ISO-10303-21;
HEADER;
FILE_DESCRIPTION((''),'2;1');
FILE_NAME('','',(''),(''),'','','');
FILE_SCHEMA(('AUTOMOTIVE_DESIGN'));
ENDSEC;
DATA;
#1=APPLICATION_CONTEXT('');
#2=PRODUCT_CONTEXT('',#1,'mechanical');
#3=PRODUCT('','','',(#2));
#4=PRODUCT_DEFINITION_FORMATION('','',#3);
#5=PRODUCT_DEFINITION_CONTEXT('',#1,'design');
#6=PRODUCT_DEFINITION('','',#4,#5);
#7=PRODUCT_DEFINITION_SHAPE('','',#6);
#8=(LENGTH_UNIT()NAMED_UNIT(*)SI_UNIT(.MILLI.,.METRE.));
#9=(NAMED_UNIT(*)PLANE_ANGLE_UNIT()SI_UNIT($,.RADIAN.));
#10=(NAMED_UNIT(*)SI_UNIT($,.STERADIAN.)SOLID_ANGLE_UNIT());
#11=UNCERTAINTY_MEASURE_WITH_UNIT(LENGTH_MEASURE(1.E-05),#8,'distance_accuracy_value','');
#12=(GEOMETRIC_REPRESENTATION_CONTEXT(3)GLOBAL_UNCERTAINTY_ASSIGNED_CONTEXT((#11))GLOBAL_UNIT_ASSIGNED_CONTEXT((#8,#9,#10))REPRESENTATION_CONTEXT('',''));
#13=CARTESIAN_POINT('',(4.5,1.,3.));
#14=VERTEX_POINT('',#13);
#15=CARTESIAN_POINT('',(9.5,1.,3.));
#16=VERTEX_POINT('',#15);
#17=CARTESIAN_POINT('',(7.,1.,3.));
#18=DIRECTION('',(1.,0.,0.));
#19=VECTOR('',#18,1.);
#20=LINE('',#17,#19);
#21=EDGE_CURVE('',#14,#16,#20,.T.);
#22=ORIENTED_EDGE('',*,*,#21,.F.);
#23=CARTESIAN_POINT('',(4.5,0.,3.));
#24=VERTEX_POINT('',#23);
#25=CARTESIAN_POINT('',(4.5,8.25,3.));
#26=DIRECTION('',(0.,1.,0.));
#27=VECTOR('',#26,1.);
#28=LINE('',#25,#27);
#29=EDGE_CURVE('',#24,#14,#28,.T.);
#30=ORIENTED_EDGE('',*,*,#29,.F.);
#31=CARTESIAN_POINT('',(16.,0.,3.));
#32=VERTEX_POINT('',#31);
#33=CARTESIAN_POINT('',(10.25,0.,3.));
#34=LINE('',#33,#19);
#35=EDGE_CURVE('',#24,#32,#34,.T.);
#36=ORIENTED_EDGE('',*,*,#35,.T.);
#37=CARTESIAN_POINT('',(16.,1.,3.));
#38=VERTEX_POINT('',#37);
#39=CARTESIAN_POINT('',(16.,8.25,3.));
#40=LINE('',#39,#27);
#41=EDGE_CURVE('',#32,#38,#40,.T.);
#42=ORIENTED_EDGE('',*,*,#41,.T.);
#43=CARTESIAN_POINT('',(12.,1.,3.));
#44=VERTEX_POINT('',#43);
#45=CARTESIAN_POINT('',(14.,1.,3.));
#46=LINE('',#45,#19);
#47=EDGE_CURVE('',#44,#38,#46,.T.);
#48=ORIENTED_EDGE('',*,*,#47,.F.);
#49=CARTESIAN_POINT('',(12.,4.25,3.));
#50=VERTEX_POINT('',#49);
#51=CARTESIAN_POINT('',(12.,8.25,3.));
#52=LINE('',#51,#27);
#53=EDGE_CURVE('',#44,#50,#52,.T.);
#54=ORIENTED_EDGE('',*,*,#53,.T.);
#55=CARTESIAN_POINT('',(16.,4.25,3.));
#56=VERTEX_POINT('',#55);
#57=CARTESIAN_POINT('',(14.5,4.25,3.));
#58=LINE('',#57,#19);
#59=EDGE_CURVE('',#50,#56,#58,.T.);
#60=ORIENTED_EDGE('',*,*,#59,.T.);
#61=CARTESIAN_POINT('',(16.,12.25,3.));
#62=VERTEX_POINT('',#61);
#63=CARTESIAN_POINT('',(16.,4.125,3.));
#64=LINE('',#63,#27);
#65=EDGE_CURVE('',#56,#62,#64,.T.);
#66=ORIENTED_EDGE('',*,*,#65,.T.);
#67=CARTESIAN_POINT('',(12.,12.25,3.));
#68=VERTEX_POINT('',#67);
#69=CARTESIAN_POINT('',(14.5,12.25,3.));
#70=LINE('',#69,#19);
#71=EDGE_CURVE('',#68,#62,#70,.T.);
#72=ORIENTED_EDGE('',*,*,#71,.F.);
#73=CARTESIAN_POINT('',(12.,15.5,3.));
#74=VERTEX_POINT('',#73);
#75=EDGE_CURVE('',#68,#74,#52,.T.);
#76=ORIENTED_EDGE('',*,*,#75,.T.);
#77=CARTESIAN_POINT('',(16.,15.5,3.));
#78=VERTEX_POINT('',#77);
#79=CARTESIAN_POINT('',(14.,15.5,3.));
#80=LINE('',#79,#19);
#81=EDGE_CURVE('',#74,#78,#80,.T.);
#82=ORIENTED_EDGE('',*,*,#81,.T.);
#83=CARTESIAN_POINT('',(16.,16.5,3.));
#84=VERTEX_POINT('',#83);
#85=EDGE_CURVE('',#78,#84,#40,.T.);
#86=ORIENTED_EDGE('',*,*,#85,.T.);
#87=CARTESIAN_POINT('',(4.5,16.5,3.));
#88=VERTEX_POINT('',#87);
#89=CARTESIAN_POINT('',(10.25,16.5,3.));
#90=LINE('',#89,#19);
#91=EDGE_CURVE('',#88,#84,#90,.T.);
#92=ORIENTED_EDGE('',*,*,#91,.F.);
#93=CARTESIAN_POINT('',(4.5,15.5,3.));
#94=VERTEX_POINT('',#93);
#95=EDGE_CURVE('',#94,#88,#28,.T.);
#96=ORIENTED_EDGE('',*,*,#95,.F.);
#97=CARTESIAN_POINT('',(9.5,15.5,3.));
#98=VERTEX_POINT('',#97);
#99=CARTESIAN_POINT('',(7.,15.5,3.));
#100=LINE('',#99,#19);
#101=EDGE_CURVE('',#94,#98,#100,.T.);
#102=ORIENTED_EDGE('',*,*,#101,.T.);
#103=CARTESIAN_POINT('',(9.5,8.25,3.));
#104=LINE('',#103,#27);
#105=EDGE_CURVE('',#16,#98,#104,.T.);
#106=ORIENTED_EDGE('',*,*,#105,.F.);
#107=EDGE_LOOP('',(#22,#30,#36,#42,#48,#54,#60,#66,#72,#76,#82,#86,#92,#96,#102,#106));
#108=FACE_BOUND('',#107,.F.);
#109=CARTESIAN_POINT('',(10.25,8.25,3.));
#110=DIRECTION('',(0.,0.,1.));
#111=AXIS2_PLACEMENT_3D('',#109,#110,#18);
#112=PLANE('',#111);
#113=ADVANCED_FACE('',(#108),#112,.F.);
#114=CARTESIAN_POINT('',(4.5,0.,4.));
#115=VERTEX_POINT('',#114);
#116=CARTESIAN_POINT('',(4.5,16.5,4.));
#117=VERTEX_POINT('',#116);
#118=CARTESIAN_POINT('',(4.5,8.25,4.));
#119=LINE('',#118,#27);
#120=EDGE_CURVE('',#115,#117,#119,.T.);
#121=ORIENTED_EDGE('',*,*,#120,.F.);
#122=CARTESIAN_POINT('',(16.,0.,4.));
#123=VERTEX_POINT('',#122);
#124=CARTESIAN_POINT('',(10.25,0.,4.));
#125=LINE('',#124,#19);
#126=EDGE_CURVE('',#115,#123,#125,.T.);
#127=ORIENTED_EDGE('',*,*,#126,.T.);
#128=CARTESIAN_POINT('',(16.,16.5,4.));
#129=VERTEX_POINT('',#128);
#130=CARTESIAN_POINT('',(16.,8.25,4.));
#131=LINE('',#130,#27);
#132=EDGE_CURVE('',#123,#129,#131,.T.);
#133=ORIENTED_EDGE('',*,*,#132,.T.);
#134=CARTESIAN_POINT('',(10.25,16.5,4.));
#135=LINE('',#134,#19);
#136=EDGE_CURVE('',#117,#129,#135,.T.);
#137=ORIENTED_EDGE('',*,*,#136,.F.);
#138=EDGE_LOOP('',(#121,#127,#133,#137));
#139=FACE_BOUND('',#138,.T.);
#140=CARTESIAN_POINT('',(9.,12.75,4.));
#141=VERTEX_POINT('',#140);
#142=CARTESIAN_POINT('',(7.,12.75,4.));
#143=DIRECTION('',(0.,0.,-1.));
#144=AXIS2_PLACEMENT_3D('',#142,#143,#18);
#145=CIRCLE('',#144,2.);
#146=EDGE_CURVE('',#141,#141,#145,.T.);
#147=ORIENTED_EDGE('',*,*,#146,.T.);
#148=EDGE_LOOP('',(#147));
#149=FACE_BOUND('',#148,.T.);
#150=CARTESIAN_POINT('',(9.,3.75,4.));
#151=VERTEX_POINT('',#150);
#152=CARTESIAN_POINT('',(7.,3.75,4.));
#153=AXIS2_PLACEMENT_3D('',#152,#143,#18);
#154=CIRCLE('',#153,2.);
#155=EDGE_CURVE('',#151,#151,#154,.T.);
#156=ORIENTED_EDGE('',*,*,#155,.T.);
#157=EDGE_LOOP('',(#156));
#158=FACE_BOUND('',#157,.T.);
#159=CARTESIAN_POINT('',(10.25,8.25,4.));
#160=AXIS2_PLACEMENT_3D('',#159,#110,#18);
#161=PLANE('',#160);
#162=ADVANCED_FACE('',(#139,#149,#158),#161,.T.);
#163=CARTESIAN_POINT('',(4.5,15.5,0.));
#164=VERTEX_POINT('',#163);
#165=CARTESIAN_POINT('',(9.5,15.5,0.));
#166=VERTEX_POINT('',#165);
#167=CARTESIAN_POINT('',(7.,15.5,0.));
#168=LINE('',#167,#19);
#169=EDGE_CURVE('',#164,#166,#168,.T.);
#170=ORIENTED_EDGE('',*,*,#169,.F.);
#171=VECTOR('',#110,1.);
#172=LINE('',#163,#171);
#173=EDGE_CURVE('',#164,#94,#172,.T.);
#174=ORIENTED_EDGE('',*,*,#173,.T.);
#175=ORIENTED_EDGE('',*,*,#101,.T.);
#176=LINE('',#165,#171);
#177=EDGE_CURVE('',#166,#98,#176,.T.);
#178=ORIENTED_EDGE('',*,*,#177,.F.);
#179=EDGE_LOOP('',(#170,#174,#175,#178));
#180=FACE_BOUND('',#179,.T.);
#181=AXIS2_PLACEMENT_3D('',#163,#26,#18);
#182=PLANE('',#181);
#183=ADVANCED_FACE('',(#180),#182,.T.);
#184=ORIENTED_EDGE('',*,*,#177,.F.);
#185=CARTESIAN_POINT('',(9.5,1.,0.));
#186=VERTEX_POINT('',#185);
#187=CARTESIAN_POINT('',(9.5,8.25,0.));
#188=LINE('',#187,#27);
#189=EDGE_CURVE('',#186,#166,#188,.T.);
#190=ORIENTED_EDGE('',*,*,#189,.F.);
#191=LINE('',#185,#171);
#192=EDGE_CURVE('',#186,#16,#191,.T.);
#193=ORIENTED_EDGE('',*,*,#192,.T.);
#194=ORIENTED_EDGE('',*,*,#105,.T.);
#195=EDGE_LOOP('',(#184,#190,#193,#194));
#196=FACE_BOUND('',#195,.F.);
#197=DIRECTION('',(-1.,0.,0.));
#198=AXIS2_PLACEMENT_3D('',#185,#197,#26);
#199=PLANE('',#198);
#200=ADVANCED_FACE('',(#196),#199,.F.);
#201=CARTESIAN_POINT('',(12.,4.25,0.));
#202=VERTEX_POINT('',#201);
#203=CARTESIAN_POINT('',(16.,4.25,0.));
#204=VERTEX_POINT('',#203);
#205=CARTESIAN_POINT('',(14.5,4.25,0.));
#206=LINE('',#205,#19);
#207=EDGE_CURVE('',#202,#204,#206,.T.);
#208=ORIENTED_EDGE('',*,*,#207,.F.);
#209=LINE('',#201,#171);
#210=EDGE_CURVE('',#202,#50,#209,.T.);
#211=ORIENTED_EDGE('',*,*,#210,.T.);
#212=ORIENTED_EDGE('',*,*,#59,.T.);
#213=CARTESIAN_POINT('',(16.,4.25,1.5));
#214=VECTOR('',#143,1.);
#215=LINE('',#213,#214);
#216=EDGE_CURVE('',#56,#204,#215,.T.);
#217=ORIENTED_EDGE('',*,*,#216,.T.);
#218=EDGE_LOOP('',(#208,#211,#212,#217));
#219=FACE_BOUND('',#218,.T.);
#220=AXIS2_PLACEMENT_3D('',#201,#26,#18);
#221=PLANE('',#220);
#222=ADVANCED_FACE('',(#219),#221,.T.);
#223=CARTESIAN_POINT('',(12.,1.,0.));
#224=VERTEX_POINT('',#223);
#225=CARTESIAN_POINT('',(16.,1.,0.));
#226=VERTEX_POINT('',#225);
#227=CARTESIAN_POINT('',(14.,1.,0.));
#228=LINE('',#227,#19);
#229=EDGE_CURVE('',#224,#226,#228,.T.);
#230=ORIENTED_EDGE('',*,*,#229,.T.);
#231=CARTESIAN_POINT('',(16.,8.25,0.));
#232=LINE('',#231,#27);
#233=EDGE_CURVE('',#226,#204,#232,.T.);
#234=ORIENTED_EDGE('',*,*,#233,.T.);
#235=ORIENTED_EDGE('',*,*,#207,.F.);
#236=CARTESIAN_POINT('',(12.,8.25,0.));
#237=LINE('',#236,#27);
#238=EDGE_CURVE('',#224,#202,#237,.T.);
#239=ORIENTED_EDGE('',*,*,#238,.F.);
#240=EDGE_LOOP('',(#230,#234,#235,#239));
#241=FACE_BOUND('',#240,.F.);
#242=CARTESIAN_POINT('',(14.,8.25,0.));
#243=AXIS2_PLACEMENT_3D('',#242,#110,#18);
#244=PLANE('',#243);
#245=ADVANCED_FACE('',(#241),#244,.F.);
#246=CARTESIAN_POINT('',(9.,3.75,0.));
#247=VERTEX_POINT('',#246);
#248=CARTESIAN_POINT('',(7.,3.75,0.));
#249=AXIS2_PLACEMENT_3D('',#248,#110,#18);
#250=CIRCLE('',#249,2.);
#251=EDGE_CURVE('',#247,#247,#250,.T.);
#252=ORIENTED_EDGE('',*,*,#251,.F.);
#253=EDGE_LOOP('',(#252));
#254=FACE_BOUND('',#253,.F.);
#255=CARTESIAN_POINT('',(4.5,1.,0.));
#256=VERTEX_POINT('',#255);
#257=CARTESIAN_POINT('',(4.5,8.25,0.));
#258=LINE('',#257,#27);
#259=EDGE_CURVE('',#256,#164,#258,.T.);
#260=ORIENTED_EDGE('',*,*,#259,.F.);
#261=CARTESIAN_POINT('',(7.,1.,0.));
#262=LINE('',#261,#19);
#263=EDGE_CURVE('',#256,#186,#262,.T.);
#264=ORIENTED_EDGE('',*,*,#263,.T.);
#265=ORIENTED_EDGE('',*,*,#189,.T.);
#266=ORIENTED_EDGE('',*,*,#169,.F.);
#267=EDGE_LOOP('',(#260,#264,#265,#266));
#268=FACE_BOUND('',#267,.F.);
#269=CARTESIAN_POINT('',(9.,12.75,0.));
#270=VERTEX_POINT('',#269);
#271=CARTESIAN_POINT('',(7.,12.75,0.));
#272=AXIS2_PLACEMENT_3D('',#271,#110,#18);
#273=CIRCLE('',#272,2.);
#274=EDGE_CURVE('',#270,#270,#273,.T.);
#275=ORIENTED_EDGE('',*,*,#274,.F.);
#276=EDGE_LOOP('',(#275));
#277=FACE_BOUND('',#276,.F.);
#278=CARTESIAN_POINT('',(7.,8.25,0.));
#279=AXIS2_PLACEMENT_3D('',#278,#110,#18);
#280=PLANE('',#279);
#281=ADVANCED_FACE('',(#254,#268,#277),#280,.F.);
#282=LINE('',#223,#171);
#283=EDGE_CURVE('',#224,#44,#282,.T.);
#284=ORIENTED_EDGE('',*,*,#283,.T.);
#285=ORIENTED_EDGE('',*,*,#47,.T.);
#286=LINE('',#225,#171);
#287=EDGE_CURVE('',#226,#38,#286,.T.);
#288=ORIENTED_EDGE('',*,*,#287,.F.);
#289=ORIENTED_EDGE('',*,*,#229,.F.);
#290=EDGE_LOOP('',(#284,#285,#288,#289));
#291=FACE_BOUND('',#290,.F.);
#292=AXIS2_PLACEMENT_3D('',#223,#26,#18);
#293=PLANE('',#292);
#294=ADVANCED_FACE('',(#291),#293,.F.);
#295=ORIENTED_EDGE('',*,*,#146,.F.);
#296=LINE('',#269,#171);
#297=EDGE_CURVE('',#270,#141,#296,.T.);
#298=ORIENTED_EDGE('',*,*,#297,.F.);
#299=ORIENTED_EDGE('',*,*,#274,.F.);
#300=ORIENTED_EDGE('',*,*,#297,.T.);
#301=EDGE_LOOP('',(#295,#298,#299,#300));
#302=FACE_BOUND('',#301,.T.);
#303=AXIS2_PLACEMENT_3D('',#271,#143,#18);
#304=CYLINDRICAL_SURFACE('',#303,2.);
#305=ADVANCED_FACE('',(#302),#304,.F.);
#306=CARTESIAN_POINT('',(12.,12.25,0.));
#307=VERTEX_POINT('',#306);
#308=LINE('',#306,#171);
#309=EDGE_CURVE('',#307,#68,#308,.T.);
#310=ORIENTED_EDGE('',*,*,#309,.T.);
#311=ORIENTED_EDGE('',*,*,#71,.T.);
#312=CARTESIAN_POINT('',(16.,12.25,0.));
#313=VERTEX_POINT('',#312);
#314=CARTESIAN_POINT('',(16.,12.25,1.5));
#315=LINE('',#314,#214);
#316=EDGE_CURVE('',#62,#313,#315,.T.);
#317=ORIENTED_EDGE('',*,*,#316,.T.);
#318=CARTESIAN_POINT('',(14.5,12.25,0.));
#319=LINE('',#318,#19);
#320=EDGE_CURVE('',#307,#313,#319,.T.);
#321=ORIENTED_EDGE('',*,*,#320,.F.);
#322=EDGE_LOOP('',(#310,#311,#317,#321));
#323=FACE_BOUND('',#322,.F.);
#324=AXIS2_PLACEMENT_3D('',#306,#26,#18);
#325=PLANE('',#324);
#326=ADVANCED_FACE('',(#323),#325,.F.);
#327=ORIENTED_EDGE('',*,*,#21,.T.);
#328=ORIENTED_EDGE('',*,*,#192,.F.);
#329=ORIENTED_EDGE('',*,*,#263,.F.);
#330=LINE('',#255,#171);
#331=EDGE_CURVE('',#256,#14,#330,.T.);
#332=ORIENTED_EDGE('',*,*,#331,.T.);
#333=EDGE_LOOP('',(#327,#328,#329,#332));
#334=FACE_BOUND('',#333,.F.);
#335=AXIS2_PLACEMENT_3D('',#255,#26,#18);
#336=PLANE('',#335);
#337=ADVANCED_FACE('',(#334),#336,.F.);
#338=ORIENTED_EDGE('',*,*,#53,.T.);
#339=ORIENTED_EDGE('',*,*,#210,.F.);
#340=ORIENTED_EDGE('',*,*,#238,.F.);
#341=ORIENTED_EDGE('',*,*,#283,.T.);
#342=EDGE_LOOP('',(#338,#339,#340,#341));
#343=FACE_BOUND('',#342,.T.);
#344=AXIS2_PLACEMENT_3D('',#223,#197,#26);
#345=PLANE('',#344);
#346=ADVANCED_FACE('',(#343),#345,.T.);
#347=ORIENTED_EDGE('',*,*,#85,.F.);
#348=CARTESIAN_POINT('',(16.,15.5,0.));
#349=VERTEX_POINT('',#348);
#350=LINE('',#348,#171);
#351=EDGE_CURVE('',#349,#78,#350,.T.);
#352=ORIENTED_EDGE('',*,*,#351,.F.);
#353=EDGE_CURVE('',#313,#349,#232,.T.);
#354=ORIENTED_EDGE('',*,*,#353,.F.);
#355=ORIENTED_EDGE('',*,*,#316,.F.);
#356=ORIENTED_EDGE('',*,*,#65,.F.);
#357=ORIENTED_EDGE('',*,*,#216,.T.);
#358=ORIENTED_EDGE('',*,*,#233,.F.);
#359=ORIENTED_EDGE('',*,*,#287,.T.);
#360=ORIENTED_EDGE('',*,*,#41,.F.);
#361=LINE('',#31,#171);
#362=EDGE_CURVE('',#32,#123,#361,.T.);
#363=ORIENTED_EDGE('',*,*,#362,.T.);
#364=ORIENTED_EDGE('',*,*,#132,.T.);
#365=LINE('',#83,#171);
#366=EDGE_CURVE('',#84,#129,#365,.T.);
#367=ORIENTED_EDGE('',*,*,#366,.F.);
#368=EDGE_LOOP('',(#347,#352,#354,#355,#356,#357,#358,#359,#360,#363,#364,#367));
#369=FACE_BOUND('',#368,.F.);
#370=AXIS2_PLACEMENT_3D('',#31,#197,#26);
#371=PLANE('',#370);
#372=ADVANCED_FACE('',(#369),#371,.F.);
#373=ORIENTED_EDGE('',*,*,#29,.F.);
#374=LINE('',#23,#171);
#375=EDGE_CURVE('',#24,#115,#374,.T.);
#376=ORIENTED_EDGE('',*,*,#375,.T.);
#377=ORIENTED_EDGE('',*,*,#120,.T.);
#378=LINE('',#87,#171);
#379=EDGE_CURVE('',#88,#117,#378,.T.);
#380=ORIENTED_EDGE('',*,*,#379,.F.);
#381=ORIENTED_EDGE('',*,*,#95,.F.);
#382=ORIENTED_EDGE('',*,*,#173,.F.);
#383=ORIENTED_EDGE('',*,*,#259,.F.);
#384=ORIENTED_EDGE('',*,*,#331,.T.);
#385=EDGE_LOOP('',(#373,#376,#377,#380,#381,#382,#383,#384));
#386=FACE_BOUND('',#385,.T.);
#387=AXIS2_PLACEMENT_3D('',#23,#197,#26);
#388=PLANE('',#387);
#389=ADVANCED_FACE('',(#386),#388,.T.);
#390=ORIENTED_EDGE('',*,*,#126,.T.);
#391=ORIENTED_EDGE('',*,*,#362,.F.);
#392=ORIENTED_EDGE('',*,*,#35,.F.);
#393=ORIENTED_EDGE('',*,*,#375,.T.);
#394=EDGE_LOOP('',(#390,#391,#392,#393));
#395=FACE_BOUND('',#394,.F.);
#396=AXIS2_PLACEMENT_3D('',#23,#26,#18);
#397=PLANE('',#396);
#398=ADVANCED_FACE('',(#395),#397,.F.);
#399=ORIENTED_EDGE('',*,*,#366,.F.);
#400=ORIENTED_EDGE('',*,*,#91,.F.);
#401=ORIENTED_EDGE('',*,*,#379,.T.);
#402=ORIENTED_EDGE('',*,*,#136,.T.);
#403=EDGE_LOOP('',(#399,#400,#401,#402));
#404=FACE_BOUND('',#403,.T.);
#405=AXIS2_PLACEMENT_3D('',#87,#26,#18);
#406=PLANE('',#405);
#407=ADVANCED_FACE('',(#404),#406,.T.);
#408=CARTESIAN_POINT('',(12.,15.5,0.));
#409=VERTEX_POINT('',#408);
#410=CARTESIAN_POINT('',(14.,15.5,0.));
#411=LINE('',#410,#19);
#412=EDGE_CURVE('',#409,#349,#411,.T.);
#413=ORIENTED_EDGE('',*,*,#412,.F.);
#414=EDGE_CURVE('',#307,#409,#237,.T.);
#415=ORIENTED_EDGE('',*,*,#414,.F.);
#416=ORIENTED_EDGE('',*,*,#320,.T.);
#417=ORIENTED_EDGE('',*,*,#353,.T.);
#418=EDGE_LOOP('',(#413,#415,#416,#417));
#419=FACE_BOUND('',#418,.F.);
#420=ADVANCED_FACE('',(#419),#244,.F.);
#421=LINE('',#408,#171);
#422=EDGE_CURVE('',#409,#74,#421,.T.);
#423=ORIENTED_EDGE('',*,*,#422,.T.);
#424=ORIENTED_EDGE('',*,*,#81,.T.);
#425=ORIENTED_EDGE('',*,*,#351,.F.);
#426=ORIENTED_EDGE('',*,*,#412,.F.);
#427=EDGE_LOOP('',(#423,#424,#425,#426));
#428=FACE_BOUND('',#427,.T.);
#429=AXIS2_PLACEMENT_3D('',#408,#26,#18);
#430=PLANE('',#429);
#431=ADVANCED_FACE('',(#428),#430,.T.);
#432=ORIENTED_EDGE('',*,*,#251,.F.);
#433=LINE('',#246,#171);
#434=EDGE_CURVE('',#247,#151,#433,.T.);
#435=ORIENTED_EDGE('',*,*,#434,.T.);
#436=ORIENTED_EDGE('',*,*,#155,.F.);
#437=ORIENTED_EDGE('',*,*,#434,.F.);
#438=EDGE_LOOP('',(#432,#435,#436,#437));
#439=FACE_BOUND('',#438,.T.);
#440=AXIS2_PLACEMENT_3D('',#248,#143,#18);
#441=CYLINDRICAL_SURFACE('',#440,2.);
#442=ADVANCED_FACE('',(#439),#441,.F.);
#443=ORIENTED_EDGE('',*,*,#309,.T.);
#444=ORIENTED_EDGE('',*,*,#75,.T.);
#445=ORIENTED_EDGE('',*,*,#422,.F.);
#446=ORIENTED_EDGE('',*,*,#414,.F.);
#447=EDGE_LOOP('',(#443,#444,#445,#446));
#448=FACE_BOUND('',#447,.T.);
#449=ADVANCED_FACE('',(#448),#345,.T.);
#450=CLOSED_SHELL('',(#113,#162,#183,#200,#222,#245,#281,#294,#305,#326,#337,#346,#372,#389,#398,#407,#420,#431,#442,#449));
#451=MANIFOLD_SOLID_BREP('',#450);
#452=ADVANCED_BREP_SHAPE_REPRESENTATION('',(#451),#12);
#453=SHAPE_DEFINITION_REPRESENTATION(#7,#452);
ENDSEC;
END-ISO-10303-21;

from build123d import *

# Parameters (mm, degrees)
CYLINDER002_R     = 2
CYLINDER002_DEPTH = 20
ARRAY003_Y_COUNT  = 2
ARRAY003_Y_PITCH  = 9
BOX008_W          = 5
BOX008_H          = 8
BOX008_DEPTH      = 3
BOX006_W          = 5
BOX006_H          = 14.5
BOX006_DEPTH      = 3
BOX007_W          = 4
BOX007_H          = 14.5
BOX007_DEPTH      = 3
BOX005_W          = 11.5
BOX005_H          = 16.5
BOX005_DEPTH      = 1


with BuildPart() as hole_array_copy:
    # Cylinder002 → Cylinder002 (new body)
    with BuildSketch(Plane(origin=(7, 3.75, 0), x_dir=(1, 0, 0), z_dir=(0, 0, 1))):
        Circle(CYLINDER002_R)
    extrude(amount=CYLINDER002_DEPTH)

    # Array003 Y: hole array copy ×2


with BuildPart() as hole_array_copy_1:
    add(hole_array_copy.part)
    with Locations(*[(0, i * ARRAY003_Y_PITCH, 0) for i in range(1, ARRAY003_Y_COUNT)]):
        add(hole_array_copy.part)


with BuildPart() as protector_extraction_fusion:
    # Box008 → Box008 (new body)
    with BuildSketch(Plane(origin=(12, 4.25, 0), x_dir=(1, 0, 0), z_dir=(0, 0, 1))):
        with Locations((2.5, 4)):
            Rectangle(BOX008_W, BOX008_H)
    extrude(amount=BOX008_DEPTH)

    # Fusion002: union hole array copy
    add(hole_array_copy_1.part)


with BuildPart() as hole_stand_cube001:
    # Box006 → Box006 (new body)
    with BuildSketch(Plane(origin=(4.5, 1, 0), x_dir=(1, 0, 0), z_dir=(0, 0, 1))):
        with Locations((2.5, 7.25)):
            Rectangle(BOX006_W, BOX006_H)
    extrude(amount=BOX006_DEPTH)


with BuildPart() as usb_side_protection_cube:
    # Box007 → Box007 (new body)
    with BuildSketch(Plane(origin=(12, 1, 0), x_dir=(1, 0, 0), z_dir=(0, 0, 1))):
        with Locations((2, 7.25)):
            Rectangle(BOX007_W, BOX007_H)
    extrude(amount=BOX007_DEPTH)


with BuildPart() as protector_cut:
    # Box005 → Box005 (new body)
    with BuildSketch(Plane(origin=(4.5, 0, 3), x_dir=(1, 0, 0), z_dir=(0, 0, 1))):
        with Locations((5.75, 8.25)):
            Rectangle(BOX005_W, BOX005_H)
    extrude(amount=BOX005_DEPTH)

    # Fusion001: union hole stand cube001, usb side protection cube
    add(hole_stand_cube001.part)
    add(usb_side_protection_cube.part)

    # Cut003: cut protector extraction fusion
    add(protector_extraction_fusion.part, mode=Mode.SUBTRACT)


solid = protector_cut.part
